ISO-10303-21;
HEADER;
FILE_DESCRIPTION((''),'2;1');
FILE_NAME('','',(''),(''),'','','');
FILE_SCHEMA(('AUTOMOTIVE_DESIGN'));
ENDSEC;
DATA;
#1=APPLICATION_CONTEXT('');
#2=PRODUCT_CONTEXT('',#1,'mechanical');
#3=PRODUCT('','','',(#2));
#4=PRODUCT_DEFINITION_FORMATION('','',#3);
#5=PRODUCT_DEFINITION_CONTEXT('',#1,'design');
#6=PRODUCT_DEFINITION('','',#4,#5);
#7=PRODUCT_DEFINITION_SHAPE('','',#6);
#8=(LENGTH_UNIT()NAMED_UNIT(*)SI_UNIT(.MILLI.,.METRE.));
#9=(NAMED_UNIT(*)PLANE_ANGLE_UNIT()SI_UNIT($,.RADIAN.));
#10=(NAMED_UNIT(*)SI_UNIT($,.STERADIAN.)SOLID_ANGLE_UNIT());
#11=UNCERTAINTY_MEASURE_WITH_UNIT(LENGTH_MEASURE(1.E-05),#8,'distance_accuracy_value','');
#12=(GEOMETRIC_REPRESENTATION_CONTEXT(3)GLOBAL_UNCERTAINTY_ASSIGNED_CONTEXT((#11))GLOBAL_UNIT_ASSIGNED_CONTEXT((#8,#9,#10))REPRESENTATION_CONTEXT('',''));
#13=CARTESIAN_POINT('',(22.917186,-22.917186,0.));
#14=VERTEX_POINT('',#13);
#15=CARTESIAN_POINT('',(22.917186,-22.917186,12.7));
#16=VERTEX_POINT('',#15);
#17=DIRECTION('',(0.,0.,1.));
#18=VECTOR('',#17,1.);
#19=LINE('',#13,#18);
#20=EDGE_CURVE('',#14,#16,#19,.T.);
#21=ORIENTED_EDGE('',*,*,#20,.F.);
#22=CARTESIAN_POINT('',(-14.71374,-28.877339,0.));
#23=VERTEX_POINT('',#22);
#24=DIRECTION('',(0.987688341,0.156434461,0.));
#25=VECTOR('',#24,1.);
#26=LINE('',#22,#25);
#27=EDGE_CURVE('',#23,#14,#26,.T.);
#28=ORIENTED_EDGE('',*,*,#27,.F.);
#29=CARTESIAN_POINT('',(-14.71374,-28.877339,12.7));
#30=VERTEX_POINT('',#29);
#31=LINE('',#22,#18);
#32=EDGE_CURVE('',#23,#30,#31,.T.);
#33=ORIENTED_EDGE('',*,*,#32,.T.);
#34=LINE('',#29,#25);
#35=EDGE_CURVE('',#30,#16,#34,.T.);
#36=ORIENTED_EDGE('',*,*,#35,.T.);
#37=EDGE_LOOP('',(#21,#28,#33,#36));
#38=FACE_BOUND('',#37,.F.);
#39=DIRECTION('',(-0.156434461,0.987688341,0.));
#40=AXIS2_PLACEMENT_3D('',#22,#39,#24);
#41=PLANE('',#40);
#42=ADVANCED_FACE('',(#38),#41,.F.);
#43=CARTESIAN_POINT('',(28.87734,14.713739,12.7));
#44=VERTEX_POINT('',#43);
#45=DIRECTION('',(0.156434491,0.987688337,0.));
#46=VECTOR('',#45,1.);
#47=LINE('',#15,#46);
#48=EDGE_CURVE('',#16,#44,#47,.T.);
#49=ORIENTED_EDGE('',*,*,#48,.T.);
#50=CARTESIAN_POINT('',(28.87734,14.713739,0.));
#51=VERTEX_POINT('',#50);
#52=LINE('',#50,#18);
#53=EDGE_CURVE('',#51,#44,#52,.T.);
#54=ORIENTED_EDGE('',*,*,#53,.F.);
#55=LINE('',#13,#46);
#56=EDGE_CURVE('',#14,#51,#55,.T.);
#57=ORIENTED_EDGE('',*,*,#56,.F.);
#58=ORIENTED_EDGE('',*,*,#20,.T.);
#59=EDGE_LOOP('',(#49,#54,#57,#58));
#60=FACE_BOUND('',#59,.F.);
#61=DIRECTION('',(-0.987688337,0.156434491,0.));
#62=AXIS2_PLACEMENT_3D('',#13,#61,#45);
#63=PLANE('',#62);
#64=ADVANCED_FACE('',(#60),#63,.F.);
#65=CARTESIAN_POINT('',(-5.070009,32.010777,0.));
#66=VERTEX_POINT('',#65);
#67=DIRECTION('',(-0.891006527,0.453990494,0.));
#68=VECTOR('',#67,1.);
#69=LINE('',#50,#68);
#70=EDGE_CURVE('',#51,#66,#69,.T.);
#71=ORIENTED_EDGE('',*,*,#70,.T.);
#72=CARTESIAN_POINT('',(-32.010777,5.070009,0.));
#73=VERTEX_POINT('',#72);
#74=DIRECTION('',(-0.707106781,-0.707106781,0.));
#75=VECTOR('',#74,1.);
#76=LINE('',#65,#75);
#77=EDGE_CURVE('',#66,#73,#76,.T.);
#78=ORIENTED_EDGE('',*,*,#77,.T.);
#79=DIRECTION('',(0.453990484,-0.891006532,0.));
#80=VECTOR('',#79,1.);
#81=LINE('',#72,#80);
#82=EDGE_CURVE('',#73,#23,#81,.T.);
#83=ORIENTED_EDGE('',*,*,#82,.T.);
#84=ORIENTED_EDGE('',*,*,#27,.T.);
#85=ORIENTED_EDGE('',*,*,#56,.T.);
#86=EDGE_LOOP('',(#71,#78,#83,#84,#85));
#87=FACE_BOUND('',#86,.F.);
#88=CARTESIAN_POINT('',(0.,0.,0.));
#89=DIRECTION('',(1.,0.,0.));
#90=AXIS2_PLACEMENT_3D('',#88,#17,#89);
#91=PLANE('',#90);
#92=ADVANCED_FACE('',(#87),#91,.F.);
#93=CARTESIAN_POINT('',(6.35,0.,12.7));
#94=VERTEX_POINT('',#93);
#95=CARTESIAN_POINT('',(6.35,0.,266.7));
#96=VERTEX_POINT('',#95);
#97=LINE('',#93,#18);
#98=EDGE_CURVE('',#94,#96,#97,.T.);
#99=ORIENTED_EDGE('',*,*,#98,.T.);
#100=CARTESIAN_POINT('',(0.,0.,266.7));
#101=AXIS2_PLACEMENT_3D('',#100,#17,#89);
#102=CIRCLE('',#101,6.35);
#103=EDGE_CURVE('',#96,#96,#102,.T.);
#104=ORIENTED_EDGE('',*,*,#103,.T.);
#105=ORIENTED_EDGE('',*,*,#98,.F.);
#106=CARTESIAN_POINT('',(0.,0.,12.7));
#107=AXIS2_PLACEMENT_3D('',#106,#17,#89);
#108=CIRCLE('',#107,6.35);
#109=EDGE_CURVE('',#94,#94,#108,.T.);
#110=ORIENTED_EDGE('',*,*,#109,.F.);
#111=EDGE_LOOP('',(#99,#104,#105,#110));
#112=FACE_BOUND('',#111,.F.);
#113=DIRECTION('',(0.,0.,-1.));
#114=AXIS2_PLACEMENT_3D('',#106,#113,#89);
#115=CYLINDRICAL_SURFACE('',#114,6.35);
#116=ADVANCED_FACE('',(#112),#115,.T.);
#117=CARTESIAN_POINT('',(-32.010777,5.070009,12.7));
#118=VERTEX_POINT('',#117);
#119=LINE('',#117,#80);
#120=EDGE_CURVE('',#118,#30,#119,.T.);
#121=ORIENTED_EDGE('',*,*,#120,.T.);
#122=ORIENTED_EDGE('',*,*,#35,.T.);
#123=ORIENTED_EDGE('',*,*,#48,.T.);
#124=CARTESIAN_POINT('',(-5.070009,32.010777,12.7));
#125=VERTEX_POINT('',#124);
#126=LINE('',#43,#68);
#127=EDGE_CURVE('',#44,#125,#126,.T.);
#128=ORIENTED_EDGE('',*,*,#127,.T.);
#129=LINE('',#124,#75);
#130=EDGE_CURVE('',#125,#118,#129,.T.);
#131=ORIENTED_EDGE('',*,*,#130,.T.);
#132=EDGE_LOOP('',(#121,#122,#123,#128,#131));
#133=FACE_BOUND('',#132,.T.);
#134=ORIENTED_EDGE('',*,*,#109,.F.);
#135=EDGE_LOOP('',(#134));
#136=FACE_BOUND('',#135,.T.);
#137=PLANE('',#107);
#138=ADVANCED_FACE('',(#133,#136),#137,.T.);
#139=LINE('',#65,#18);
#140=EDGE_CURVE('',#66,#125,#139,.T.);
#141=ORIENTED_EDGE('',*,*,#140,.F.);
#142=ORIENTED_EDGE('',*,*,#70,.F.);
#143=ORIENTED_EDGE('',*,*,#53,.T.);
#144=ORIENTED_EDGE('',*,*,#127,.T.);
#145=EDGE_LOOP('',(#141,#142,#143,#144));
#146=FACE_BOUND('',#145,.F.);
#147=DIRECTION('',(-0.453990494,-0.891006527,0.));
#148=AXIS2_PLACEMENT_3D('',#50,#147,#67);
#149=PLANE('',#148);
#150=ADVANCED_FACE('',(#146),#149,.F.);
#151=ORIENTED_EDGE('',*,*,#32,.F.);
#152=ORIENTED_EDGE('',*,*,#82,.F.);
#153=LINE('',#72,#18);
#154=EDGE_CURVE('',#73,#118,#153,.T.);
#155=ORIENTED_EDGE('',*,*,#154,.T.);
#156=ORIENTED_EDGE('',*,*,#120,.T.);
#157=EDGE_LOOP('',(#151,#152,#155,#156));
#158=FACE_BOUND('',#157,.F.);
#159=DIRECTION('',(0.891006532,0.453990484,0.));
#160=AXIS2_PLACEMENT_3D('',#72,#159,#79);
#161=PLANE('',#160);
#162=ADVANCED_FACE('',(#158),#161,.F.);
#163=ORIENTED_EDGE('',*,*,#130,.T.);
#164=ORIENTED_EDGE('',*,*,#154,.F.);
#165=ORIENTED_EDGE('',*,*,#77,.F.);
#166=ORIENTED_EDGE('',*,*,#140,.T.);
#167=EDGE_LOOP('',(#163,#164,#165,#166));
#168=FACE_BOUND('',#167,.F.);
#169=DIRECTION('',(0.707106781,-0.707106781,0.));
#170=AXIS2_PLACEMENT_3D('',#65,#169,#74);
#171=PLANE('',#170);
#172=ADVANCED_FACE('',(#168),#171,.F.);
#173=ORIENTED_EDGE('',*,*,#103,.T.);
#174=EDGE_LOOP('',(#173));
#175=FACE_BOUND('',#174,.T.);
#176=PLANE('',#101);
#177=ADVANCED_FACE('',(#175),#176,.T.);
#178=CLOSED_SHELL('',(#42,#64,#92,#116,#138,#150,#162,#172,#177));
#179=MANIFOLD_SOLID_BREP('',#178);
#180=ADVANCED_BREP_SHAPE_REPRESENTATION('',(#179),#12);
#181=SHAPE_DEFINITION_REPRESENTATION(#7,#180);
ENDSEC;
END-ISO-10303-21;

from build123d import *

# Parameters (mm, degrees)
F1_DEPTH = 12.7
F2_R     = 6.35
F3_DEPTH = 254


with BuildPart() as f1:
    # F0 (on Top) → F1 (new body)
    with BuildSketch(Plane.XY):
        Polygon((-14.71374, -28.877339), (22.917186, -22.917186), (28.87734, 14.713739), (-5.070009, 32.010777), (-32.010777, 5.070009), align=None)
    extrude(amount=F1_DEPTH)

    # F2 (on face) → F3 (join)
    with BuildSketch(Plane.XY.offset(12.7)):
        Circle(F2_R)
    extrude(amount=F3_DEPTH)


solid = f1.part
